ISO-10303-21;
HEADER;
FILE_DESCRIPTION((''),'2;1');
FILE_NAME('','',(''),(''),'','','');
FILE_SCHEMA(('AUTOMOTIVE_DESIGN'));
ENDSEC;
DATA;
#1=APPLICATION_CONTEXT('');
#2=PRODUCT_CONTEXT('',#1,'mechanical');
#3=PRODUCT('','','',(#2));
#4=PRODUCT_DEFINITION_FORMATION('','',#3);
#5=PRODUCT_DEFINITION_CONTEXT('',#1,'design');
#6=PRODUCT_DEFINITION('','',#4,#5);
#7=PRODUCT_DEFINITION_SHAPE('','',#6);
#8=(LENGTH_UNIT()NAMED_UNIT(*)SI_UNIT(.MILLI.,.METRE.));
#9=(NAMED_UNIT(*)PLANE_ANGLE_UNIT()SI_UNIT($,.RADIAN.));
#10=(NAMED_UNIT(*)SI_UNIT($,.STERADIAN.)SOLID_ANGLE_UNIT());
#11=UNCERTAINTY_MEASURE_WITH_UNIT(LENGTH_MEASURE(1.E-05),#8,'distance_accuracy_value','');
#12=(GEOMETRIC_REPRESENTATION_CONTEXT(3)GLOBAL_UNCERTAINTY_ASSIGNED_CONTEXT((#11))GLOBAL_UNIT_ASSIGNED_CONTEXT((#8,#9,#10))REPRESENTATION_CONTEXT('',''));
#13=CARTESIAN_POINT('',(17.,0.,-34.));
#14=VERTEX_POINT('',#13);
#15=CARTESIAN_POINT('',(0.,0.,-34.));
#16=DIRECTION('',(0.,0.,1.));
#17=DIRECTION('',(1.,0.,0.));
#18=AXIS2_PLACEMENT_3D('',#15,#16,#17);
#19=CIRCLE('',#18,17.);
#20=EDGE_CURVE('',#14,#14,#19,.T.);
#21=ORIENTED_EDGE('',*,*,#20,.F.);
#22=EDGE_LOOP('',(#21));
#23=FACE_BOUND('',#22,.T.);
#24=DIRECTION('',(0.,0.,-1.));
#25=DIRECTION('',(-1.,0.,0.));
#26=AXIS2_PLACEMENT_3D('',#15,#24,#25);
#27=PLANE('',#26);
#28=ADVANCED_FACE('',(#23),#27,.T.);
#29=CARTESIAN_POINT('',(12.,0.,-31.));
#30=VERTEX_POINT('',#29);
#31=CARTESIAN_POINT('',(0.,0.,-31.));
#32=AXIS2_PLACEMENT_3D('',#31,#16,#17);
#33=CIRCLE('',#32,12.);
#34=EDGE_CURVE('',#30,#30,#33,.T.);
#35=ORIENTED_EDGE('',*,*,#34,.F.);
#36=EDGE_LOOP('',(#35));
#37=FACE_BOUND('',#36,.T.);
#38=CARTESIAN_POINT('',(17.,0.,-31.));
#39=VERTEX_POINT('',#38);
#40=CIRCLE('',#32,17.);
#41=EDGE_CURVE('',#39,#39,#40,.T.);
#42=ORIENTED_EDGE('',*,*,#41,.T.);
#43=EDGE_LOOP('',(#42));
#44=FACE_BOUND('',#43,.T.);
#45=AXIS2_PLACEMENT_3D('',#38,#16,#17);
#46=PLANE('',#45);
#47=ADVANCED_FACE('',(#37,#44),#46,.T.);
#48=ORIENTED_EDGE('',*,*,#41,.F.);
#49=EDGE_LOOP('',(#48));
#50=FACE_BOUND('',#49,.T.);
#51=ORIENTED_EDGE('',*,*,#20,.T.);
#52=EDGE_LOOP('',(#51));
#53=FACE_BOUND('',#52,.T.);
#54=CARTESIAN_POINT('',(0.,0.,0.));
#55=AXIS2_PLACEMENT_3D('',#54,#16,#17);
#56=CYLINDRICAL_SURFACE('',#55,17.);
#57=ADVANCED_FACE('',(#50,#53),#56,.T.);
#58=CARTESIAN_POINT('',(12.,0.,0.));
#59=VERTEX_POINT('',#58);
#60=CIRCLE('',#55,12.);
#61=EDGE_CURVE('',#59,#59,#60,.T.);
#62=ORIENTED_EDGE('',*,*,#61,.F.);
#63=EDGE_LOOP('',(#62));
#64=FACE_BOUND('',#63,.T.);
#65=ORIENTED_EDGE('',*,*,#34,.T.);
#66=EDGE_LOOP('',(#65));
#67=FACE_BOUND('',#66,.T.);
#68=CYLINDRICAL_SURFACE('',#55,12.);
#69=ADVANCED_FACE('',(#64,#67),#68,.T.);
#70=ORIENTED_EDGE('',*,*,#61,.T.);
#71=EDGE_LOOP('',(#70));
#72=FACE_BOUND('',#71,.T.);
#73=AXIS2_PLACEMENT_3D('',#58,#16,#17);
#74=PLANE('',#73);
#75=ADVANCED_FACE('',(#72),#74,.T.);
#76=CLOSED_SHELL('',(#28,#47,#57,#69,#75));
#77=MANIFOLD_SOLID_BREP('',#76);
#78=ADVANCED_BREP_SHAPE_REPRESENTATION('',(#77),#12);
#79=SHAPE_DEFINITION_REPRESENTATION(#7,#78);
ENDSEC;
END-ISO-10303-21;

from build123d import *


with BuildPart() as part:
    # Sketch1 → Revolve1 (revolve)
    with BuildSketch(Plane(origin=(0, 0, 0), x_dir=(1, 0, 0), z_dir=(0, 1, 0))):
        Polygon((0, 0), (0, 34), (17, 34), (17, 31), (12, 31), (12, 0), align=None)
    revolve(axis=Axis((0, 0, 0), (0, 0, -1)))


solid = part.part
